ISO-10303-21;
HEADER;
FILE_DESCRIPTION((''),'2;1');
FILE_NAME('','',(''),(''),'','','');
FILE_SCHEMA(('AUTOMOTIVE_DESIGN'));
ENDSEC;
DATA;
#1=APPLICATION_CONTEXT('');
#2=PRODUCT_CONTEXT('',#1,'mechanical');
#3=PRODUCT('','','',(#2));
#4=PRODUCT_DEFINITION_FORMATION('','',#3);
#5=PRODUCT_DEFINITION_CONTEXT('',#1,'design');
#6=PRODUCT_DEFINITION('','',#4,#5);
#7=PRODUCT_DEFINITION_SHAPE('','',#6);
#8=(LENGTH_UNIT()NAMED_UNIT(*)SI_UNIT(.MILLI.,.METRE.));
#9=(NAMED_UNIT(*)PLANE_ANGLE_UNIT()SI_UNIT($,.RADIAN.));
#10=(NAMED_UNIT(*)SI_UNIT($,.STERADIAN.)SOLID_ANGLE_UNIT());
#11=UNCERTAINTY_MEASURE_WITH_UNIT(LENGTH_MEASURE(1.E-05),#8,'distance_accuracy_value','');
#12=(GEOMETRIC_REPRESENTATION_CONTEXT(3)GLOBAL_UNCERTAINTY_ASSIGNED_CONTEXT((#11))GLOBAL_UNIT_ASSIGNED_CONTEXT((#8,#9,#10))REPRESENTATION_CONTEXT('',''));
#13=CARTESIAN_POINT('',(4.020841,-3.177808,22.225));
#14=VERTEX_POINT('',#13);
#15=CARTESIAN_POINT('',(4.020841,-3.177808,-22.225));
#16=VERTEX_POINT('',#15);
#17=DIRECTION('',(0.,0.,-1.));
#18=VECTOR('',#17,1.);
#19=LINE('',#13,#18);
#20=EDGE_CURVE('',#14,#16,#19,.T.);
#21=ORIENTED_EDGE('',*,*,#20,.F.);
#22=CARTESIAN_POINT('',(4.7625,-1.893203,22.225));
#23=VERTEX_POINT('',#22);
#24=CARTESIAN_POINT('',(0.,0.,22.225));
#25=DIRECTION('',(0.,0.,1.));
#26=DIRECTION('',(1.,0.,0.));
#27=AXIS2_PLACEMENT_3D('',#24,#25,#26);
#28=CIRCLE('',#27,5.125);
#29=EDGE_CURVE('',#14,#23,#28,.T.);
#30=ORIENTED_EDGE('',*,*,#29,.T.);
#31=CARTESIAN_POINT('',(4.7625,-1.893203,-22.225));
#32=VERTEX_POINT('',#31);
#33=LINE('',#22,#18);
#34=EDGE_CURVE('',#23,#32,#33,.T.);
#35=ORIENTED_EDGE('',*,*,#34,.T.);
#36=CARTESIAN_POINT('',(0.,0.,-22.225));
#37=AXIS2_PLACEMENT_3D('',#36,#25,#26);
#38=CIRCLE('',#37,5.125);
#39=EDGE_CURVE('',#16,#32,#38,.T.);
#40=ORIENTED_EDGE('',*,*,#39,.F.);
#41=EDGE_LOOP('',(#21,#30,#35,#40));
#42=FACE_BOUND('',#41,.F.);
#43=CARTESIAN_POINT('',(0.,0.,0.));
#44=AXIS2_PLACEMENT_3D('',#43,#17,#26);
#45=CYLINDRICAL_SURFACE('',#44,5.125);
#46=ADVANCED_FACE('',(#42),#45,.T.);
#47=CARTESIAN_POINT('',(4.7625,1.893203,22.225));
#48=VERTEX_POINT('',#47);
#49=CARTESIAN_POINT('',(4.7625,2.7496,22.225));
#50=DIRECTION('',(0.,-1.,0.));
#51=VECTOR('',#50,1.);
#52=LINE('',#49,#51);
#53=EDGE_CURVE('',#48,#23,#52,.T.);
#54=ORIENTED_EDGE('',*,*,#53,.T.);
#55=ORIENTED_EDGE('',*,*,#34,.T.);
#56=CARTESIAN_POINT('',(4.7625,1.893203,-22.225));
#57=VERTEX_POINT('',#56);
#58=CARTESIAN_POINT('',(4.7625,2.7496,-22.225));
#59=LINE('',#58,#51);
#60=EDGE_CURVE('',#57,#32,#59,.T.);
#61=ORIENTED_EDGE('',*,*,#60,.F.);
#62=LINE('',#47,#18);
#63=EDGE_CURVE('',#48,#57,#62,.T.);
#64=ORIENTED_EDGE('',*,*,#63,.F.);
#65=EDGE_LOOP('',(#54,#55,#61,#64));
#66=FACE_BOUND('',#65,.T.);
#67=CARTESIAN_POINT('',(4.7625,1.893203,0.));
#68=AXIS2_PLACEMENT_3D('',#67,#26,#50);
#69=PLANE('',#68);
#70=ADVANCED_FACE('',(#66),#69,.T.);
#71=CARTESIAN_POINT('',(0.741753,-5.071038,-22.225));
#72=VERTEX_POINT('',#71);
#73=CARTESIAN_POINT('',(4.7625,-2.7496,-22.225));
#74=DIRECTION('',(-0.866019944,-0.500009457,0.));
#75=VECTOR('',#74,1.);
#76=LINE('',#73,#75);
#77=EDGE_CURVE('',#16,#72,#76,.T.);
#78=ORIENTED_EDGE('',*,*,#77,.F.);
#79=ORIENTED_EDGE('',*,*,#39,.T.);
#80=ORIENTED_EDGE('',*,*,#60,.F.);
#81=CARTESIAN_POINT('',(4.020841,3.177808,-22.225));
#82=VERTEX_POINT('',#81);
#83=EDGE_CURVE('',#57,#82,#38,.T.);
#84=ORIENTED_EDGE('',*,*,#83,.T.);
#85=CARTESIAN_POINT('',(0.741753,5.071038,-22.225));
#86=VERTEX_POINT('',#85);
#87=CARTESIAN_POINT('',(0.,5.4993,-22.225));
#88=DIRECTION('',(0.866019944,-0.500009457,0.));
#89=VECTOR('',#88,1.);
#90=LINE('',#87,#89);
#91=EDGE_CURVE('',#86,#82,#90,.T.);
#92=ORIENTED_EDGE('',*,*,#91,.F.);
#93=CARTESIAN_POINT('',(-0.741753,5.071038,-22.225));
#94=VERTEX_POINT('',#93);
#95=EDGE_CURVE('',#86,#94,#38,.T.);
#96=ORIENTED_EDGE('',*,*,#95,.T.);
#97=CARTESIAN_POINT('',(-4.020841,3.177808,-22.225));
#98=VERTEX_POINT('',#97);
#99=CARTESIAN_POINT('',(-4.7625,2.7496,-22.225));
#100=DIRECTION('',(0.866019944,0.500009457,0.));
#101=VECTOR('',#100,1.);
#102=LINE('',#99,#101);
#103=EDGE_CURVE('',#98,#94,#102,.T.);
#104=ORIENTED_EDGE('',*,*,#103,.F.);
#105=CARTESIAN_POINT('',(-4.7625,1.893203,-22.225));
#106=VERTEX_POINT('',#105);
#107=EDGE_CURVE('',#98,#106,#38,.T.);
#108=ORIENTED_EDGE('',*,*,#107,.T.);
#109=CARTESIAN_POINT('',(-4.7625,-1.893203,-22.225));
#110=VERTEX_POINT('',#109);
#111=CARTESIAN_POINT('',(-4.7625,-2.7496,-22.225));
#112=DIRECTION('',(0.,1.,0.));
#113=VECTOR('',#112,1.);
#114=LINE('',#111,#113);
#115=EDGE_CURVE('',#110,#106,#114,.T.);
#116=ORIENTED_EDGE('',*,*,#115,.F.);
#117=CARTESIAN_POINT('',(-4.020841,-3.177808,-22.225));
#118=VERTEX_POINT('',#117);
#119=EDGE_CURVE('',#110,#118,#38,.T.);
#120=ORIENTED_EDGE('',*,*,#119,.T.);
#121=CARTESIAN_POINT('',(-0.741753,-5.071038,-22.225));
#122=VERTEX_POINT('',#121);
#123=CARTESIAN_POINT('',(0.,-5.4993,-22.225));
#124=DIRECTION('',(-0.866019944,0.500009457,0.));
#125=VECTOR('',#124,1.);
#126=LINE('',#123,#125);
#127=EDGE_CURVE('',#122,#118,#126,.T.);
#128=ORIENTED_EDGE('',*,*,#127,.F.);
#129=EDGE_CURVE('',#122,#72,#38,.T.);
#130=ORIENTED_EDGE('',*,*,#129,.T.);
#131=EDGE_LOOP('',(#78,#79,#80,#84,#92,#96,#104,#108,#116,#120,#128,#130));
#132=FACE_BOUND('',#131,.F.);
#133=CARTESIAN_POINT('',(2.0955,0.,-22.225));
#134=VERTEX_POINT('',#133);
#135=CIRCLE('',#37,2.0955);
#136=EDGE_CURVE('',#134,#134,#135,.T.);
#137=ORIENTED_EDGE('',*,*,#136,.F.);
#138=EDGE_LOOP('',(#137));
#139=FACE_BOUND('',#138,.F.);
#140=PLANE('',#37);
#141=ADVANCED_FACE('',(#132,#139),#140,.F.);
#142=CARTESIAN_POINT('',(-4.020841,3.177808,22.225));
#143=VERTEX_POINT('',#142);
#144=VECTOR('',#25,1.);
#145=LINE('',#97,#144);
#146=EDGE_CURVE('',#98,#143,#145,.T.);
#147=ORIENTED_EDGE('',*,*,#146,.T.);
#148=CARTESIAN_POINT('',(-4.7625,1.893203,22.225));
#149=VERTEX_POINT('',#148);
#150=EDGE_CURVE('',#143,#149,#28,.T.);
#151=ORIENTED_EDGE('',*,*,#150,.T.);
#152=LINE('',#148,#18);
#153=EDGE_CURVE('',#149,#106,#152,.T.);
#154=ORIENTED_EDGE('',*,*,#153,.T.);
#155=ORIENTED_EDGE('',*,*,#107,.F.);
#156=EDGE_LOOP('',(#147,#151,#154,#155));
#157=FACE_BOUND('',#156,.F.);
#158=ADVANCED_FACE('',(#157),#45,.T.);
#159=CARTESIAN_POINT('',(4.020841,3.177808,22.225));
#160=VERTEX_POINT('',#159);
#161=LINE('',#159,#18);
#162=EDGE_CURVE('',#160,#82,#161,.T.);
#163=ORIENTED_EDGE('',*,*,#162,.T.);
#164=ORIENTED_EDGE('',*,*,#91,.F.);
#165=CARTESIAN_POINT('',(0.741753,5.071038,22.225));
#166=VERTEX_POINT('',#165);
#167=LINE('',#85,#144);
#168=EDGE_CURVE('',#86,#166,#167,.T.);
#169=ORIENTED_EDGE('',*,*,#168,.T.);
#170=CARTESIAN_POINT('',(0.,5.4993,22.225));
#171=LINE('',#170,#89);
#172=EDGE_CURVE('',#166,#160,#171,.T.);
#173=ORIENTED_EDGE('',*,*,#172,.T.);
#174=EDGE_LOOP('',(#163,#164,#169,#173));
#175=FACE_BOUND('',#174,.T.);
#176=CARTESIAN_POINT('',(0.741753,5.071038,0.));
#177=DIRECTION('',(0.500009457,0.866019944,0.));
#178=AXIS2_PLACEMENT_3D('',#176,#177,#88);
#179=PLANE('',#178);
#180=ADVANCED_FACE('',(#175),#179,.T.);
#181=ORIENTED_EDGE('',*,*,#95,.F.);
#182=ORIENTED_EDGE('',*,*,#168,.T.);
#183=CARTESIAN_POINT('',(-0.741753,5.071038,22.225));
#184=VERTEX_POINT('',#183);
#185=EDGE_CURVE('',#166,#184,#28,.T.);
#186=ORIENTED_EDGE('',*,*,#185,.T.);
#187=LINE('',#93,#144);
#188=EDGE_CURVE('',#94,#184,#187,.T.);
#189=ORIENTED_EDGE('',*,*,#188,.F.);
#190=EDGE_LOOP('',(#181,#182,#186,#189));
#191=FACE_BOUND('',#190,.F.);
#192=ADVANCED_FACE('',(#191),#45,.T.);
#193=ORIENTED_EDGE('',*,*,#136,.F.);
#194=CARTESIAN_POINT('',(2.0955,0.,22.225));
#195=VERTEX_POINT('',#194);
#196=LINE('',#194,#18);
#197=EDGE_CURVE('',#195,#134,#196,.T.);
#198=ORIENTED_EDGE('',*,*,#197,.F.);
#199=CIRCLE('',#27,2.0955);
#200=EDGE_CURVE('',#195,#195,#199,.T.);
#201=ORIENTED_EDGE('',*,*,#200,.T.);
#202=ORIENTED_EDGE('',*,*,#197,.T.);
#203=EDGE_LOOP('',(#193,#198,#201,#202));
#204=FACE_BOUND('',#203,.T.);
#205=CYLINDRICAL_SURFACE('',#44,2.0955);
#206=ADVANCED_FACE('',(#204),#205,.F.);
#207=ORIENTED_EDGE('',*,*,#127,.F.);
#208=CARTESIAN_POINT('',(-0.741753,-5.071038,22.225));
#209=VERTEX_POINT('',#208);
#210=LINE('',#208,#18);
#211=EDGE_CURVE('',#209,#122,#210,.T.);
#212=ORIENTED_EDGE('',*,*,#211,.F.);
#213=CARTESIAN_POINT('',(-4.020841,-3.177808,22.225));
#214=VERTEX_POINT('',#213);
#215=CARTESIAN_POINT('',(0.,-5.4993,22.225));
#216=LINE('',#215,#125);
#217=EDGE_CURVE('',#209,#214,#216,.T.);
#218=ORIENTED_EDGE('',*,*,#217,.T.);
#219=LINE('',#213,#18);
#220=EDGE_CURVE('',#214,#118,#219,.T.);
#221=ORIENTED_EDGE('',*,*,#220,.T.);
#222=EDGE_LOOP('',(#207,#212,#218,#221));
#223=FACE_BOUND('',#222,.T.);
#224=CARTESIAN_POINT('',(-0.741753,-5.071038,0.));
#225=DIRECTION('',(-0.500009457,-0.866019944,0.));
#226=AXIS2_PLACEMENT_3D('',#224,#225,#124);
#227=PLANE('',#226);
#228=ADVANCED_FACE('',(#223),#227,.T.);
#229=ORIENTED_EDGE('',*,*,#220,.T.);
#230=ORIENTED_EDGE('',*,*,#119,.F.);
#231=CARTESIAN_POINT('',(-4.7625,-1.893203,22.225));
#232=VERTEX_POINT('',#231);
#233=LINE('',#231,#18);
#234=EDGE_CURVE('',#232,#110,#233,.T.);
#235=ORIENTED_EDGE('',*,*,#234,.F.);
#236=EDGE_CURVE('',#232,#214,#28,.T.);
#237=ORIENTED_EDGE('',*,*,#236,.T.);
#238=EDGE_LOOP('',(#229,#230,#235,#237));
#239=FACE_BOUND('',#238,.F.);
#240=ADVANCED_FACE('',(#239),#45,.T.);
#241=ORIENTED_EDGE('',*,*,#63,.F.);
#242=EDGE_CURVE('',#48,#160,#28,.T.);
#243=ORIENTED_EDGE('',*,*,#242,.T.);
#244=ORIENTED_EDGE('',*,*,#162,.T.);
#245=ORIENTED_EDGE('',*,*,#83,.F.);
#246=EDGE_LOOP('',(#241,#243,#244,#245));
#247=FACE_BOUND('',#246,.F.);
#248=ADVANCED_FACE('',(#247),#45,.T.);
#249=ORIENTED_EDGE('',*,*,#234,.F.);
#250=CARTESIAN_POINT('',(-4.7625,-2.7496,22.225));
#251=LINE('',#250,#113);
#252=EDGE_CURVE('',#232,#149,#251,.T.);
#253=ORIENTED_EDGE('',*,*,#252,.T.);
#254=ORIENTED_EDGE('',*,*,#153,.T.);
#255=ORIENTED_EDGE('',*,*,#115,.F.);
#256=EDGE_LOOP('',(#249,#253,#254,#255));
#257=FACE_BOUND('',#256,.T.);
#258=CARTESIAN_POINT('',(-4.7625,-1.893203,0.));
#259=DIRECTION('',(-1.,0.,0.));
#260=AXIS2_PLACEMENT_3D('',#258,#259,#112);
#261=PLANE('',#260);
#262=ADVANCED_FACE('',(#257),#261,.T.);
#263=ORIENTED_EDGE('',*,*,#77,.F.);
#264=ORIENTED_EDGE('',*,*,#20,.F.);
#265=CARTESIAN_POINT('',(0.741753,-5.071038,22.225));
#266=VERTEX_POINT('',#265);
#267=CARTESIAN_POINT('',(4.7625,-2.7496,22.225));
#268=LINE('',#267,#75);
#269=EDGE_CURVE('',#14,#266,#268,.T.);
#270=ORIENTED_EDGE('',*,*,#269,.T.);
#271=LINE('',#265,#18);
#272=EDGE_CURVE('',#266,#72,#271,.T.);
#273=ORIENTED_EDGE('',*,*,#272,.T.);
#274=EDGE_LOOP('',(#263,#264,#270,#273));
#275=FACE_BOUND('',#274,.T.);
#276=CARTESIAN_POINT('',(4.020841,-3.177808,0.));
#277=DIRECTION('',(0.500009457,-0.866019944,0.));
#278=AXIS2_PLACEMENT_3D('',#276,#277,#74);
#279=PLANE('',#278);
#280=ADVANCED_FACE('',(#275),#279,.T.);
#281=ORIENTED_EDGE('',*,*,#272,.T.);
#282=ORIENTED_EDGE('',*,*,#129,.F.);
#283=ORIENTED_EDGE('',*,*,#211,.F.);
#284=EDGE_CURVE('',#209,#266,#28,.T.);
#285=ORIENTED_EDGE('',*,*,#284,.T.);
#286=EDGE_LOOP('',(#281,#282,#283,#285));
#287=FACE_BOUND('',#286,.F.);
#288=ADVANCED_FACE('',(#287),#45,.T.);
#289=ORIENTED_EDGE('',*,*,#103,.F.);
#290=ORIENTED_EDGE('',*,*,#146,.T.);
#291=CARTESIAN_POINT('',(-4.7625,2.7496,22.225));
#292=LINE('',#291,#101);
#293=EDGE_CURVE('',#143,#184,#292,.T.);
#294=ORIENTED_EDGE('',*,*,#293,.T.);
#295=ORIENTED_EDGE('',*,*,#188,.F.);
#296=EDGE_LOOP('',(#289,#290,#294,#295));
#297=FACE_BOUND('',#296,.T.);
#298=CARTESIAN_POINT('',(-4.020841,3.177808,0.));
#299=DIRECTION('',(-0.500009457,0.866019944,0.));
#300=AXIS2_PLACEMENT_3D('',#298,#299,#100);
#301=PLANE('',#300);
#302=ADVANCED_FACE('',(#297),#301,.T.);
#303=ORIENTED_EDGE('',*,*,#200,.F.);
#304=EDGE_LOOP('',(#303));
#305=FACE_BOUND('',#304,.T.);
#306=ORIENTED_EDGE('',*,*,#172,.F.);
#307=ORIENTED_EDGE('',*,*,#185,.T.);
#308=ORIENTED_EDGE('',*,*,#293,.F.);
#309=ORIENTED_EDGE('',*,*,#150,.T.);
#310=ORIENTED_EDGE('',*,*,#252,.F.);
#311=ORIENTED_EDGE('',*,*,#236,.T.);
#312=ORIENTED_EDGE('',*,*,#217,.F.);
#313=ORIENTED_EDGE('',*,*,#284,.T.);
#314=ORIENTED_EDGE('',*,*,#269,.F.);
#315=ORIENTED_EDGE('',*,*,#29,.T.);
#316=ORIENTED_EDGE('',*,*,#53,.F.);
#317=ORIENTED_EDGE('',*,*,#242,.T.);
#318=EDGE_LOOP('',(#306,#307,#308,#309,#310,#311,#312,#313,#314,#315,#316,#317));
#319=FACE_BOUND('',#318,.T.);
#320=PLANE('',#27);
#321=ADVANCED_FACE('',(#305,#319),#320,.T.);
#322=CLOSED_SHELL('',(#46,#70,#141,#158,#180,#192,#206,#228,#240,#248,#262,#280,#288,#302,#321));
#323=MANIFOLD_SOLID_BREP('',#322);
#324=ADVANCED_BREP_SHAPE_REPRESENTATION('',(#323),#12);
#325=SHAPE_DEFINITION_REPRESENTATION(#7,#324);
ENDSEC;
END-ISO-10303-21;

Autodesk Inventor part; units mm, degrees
ref_plane "YZ Plane" through (0, 0, 0) normal (1, 0, 0) x (0, 1, 0)
ref_plane "XZ Plane" through (0, 0, 0) normal (0, 1, 0) x (-1, 0, 0)
ref_plane "XY Plane" through (0, 0, 0) normal (0, 0, 1) x (1, 0, 0)
sketch "Sketch1" plane through (0, 0, 0) normal (0, 0, 1) x (1, 0, 0)
  line L0 (0, 5.4993) -> (4.7625, 2.7496)
  line L1 (4.7625, 2.7496) -> (4.7625, -2.7496)
  line L2 (4.7625, -2.7496) -> (0, -5.4993)
  line L3 (0, -5.4993) -> (-4.7625, -2.7496)
  line L4 (-4.7625, -2.7496) -> (-4.7625, 2.7496)
  line L5 (-4.7625, 2.7496) -> (0, 5.4993)
  circle A0 centre (0, 0) radius 5.125
  circle A1 centre (0, 0) radius 2.0955
  point P0 (-4.0208, 3.1778)
  point P1 (-4.7625, 1.8932)
  point P2 (-4.7625, -1.8932)
  point P3 (-4.0208, -3.1778)
  point P4 (-0.7417, -5.071)
  point P5 (0.7417, -5.071)
  point P6 (4.0208, -3.1778)
  point P7 (4.7625, -1.8932)
  point P8 (4.7625, 1.8932)
  point P9 (4.0208, 3.1778)
  point P10 (0.7417, 5.071)
  point P11 (-0.7417, 5.071)
  dimension "d0" = 9.525
  dimension "d6" = 10.25
  dimension "d7" = 4.191
extrude "Extrusion1" add sketch "Sketch1" along normal mid plane 44.45 contours L0 A0 L1 L2 L3 L4 L5
properties part number "PulleyShaft" material "Steel, Carbon"
